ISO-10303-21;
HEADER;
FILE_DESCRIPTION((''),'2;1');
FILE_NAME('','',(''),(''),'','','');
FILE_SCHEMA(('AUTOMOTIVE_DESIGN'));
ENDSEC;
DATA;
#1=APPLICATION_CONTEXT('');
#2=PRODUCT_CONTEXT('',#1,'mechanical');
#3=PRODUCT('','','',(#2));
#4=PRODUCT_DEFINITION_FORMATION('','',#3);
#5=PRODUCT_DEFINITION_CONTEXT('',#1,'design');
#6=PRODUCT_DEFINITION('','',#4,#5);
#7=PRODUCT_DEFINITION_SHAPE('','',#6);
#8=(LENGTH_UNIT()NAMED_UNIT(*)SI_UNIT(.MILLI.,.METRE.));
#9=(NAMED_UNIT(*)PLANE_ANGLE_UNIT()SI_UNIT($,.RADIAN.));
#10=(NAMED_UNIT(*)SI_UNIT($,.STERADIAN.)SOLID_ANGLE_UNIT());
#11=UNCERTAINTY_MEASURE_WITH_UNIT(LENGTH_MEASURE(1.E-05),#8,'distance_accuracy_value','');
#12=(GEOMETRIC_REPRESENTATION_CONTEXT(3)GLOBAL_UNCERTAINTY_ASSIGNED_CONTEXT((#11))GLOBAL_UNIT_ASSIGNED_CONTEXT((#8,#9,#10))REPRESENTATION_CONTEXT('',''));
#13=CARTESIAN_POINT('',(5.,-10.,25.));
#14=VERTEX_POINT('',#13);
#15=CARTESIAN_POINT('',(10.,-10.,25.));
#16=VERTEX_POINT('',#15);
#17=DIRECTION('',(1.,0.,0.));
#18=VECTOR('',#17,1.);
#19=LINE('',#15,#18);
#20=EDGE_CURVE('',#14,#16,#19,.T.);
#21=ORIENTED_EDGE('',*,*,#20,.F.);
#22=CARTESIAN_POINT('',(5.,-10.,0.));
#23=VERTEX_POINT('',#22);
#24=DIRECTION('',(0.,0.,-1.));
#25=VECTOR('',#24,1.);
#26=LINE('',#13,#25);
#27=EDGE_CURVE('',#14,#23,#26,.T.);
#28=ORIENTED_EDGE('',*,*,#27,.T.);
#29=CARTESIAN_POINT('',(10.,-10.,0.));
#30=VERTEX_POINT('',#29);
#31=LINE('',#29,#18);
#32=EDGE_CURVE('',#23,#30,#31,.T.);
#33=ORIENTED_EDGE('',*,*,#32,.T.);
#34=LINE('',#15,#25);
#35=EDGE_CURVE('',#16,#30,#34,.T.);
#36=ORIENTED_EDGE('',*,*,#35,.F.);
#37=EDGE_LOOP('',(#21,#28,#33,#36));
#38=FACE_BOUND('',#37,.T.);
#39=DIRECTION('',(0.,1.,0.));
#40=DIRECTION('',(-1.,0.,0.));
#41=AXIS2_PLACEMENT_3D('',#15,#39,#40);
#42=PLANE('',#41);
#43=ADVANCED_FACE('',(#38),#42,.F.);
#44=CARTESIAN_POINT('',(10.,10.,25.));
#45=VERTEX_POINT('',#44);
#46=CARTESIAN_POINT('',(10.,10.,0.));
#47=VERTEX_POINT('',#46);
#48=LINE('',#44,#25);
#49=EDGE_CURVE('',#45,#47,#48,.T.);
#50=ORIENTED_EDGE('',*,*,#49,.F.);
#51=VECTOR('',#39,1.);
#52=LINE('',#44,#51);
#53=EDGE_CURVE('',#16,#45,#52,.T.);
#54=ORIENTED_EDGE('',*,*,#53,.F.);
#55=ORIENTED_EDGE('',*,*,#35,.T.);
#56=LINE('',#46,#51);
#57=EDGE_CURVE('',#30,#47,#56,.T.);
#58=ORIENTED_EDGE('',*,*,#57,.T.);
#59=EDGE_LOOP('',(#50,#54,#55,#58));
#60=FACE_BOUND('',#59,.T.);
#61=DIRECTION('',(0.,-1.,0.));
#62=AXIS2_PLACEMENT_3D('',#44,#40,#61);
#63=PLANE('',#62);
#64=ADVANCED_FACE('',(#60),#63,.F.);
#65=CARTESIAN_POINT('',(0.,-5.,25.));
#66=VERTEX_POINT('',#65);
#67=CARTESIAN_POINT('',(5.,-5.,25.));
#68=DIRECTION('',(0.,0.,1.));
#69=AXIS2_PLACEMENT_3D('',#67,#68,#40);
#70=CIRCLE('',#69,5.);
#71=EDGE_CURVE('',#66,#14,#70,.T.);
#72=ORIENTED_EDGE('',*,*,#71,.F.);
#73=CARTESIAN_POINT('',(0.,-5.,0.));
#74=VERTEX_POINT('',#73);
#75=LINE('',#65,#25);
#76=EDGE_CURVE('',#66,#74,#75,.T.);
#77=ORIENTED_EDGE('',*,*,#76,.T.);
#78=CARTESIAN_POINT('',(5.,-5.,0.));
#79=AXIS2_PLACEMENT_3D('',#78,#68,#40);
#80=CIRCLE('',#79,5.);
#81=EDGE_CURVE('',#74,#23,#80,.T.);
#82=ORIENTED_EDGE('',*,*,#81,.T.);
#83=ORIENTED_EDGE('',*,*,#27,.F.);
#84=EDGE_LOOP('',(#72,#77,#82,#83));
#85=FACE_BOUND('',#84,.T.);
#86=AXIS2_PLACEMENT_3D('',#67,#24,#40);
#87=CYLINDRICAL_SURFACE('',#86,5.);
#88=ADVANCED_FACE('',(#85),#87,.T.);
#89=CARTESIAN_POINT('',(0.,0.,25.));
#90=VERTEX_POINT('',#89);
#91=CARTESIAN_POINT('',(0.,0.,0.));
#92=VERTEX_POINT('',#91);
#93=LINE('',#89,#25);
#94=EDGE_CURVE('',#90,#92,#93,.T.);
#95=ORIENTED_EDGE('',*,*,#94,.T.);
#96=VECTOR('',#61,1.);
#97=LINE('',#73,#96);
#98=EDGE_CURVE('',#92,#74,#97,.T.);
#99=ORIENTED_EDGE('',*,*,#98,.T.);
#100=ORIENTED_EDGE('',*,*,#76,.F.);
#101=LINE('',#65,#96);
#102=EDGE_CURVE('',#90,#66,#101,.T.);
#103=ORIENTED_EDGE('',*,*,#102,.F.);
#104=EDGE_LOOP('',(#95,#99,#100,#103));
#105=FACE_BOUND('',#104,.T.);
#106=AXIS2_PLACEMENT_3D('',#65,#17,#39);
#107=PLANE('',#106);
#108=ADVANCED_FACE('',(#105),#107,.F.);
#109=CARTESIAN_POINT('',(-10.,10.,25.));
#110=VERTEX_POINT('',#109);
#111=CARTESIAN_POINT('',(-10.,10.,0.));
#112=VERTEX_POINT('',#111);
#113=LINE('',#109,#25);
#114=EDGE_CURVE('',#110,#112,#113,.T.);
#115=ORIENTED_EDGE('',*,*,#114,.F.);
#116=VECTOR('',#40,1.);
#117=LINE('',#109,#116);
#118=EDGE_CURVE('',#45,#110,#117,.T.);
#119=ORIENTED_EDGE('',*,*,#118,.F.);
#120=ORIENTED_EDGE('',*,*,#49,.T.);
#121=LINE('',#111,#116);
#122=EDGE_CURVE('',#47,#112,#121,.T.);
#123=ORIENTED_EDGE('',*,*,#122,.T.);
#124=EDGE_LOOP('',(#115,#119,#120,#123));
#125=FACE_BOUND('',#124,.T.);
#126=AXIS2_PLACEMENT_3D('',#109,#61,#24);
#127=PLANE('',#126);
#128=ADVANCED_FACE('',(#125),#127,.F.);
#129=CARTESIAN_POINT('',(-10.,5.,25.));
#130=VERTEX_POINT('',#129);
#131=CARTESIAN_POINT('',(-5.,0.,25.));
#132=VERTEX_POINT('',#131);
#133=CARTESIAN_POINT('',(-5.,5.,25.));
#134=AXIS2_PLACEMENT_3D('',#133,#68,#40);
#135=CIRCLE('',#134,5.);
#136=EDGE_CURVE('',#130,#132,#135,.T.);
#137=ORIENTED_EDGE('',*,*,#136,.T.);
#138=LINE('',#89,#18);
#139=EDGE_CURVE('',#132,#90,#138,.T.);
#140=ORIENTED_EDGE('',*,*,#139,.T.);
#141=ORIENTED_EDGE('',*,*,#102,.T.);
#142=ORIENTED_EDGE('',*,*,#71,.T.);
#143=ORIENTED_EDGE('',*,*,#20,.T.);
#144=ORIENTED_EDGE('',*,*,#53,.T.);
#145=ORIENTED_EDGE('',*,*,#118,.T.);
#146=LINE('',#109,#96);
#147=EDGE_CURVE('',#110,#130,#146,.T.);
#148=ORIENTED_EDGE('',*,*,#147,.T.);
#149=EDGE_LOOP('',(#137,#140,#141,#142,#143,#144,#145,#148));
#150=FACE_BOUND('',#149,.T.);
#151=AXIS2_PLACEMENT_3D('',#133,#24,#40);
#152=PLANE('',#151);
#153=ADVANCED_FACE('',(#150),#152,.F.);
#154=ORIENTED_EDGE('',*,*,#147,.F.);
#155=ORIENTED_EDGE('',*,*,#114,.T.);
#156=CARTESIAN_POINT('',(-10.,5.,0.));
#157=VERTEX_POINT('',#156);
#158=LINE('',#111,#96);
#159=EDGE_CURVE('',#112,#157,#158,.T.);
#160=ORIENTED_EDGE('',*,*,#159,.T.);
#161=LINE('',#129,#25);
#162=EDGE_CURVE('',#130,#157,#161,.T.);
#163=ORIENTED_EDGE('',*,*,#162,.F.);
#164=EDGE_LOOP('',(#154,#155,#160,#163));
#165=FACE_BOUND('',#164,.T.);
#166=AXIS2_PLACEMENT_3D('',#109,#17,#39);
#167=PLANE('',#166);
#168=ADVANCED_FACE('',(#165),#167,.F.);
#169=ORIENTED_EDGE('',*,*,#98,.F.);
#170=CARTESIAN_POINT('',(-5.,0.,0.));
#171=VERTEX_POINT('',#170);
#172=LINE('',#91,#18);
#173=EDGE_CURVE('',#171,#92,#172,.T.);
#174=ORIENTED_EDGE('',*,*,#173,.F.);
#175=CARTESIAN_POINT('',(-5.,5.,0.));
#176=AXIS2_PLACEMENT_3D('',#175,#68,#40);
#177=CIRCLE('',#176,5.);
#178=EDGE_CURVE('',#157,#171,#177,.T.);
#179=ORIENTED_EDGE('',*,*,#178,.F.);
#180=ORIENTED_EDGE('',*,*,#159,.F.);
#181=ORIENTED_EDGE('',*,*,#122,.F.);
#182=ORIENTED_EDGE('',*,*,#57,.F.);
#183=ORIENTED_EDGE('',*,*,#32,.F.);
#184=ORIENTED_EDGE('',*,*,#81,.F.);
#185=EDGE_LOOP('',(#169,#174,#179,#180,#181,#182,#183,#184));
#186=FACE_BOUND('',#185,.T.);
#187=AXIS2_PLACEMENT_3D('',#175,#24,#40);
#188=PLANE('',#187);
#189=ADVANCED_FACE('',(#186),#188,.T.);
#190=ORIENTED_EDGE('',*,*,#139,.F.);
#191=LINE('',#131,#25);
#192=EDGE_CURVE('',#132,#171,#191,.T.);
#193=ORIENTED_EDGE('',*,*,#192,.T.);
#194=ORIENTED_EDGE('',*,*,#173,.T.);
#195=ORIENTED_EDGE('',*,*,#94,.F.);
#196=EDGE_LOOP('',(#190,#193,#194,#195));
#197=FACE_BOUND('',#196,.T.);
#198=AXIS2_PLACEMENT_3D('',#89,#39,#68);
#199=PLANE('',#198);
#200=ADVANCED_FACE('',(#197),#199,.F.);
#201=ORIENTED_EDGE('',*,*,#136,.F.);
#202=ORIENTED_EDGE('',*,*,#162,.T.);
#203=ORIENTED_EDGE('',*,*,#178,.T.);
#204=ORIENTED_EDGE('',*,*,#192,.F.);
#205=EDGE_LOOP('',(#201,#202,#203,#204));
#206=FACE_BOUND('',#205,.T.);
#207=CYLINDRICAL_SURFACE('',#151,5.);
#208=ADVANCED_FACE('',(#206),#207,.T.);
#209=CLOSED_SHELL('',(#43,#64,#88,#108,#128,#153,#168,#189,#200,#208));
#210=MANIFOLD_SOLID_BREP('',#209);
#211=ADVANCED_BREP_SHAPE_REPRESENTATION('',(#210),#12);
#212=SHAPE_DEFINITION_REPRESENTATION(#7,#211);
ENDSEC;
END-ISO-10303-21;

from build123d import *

# Parameters (mm, degrees)
BOSS_EXTRUDE1_DEPTH = 25


with BuildPart() as part:
    # Sketch1 → Boss-Extrude1 (new body)
    with BuildSketch(Plane.XY):
        with BuildLine():
            Line((-10, 10), (10, 10))
            Line((10, 10), (10, -10))
            Line((10, -10), (5, -10))
            ThreePointArc((5, -10), (1.464466094, -8.535533906), (0, -5))
            Line((0, -5), (0, 0))
            Line((0, 0), (-5, 0))
            ThreePointArc((-5, 0), (-8.535533906, 1.464466094), (-10, 5))
            Line((-10, 5), (-10, 10))
        make_face()
    extrude(amount=BOSS_EXTRUDE1_DEPTH)


solid = part.part
